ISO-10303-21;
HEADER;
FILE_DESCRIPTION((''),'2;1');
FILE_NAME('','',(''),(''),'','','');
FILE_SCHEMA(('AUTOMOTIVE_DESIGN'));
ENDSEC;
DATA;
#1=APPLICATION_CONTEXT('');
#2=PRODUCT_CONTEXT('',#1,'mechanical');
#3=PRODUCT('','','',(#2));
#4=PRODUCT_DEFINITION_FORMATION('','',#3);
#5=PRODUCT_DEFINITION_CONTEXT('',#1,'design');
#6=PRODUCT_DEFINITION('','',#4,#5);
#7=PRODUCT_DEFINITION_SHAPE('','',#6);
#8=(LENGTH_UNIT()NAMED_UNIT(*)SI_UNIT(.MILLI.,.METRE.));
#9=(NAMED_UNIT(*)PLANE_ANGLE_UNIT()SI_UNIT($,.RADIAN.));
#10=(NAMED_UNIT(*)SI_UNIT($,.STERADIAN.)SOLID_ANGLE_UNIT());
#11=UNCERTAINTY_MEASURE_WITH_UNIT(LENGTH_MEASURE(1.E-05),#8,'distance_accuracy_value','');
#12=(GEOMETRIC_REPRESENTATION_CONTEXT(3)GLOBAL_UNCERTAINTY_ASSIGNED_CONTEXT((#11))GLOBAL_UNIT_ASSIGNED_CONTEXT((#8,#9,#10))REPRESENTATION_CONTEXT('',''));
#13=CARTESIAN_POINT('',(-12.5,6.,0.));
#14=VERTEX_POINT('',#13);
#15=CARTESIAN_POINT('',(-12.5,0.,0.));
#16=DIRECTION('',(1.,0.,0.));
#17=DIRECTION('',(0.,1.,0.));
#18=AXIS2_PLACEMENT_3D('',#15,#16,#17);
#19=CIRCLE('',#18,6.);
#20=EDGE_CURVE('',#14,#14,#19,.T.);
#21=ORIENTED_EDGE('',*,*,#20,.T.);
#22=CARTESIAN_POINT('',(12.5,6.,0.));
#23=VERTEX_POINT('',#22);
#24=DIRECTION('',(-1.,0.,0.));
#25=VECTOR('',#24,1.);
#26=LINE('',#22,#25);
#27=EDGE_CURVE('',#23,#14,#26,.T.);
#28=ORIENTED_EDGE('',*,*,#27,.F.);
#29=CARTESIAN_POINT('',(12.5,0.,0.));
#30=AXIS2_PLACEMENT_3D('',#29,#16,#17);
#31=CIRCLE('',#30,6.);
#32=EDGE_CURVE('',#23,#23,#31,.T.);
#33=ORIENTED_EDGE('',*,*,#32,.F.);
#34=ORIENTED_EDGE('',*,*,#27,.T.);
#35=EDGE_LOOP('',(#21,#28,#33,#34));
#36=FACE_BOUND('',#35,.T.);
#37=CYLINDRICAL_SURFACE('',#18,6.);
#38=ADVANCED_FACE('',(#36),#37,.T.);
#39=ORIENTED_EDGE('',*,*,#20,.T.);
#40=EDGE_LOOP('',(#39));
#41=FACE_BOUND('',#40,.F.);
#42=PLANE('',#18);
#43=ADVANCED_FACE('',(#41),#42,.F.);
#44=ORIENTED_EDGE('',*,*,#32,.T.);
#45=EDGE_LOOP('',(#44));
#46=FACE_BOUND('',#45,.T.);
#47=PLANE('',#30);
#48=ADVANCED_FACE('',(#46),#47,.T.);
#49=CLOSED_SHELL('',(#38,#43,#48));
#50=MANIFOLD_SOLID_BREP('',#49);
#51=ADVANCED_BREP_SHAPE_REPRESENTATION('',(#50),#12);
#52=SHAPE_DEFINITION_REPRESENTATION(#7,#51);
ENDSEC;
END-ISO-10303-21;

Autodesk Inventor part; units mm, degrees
ref_plane "YZ Plane" through (0, 0, 0) normal (1, 0, 0) x (0, 1, 0)
ref_plane "XZ Plane" through (0, 0, 0) normal (0, 1, 0) x (-1, 0, 0)
sketch "Эскиз1" plane through (0, 0, 0) normal (0, 0, 1) x (1, 0, 0)
  line L0 (12.5, 6) -> (12.5, 0)
  line L1 (-12.5, 0) -> (12.5, 0)
  line L2 (-17.5, 0) -> (17.5, 0) projected
  line L3 (0, 7.2) -> (0, -1.2) projected
  line L4 (-12.5, 6) -> (-12.5, 0)
  line L5 (0, 6) -> (0, 0) construction
  line L6 (-17.5, 0) -> (17.5, 0) projected
  line L7 (-12.5, 6) -> (12.5, 6)
  dimension "d13" = 12
  dimension "d87" = 25
  dimension "d88" = 12.5
revolve "Базовый элемент" add sketch "Эскиз1" angle 360 about axis through (-12.5, 0, 0) along (1, 0, 0)
thread "Резьба1" size "M12x1.5" class "6g" standard "ISO Metric profile" length 25
ref_plane "Work Plane1" through (2.75, 0, 0) normal (0, -1, 0) x (1, 0, 0)
equation "\"d13\" = NND"
equation "\"d87\" = NLG"
equation "\"d88\" = 0.5 * NLG"
equation "\"d1\" = GEL"
equation "\"NLG\" = 25"
equation "\"GEL\" = NLG"
equation "\"GAL\" = 0.61345 * PTC"
equation "\"SPD\" = 9.93"
equation "\"d0\" = NND"
equation "\"GUL\" = 0.61345 * PTC"
equation "\"NND\" = 12"
equation "\"GUL1\" = GUL"
equation "\"GAL1\" = GAL"
equation "\"d89\" = -GEL + GUL1"
equation "\"d90\" = -GUL - GEL"
equation "\"PTC\" = 1.5"
equation "\"THREADDIA\" = 12"
equation "\"TOA\" = 30deg"
equation "\"GD1\" = THREADDIA - 1.2269 * PTC"
properties part number "DIN 976-1 - M12 x 1,5 x 25 - A" material "Сталь, мягкая"
